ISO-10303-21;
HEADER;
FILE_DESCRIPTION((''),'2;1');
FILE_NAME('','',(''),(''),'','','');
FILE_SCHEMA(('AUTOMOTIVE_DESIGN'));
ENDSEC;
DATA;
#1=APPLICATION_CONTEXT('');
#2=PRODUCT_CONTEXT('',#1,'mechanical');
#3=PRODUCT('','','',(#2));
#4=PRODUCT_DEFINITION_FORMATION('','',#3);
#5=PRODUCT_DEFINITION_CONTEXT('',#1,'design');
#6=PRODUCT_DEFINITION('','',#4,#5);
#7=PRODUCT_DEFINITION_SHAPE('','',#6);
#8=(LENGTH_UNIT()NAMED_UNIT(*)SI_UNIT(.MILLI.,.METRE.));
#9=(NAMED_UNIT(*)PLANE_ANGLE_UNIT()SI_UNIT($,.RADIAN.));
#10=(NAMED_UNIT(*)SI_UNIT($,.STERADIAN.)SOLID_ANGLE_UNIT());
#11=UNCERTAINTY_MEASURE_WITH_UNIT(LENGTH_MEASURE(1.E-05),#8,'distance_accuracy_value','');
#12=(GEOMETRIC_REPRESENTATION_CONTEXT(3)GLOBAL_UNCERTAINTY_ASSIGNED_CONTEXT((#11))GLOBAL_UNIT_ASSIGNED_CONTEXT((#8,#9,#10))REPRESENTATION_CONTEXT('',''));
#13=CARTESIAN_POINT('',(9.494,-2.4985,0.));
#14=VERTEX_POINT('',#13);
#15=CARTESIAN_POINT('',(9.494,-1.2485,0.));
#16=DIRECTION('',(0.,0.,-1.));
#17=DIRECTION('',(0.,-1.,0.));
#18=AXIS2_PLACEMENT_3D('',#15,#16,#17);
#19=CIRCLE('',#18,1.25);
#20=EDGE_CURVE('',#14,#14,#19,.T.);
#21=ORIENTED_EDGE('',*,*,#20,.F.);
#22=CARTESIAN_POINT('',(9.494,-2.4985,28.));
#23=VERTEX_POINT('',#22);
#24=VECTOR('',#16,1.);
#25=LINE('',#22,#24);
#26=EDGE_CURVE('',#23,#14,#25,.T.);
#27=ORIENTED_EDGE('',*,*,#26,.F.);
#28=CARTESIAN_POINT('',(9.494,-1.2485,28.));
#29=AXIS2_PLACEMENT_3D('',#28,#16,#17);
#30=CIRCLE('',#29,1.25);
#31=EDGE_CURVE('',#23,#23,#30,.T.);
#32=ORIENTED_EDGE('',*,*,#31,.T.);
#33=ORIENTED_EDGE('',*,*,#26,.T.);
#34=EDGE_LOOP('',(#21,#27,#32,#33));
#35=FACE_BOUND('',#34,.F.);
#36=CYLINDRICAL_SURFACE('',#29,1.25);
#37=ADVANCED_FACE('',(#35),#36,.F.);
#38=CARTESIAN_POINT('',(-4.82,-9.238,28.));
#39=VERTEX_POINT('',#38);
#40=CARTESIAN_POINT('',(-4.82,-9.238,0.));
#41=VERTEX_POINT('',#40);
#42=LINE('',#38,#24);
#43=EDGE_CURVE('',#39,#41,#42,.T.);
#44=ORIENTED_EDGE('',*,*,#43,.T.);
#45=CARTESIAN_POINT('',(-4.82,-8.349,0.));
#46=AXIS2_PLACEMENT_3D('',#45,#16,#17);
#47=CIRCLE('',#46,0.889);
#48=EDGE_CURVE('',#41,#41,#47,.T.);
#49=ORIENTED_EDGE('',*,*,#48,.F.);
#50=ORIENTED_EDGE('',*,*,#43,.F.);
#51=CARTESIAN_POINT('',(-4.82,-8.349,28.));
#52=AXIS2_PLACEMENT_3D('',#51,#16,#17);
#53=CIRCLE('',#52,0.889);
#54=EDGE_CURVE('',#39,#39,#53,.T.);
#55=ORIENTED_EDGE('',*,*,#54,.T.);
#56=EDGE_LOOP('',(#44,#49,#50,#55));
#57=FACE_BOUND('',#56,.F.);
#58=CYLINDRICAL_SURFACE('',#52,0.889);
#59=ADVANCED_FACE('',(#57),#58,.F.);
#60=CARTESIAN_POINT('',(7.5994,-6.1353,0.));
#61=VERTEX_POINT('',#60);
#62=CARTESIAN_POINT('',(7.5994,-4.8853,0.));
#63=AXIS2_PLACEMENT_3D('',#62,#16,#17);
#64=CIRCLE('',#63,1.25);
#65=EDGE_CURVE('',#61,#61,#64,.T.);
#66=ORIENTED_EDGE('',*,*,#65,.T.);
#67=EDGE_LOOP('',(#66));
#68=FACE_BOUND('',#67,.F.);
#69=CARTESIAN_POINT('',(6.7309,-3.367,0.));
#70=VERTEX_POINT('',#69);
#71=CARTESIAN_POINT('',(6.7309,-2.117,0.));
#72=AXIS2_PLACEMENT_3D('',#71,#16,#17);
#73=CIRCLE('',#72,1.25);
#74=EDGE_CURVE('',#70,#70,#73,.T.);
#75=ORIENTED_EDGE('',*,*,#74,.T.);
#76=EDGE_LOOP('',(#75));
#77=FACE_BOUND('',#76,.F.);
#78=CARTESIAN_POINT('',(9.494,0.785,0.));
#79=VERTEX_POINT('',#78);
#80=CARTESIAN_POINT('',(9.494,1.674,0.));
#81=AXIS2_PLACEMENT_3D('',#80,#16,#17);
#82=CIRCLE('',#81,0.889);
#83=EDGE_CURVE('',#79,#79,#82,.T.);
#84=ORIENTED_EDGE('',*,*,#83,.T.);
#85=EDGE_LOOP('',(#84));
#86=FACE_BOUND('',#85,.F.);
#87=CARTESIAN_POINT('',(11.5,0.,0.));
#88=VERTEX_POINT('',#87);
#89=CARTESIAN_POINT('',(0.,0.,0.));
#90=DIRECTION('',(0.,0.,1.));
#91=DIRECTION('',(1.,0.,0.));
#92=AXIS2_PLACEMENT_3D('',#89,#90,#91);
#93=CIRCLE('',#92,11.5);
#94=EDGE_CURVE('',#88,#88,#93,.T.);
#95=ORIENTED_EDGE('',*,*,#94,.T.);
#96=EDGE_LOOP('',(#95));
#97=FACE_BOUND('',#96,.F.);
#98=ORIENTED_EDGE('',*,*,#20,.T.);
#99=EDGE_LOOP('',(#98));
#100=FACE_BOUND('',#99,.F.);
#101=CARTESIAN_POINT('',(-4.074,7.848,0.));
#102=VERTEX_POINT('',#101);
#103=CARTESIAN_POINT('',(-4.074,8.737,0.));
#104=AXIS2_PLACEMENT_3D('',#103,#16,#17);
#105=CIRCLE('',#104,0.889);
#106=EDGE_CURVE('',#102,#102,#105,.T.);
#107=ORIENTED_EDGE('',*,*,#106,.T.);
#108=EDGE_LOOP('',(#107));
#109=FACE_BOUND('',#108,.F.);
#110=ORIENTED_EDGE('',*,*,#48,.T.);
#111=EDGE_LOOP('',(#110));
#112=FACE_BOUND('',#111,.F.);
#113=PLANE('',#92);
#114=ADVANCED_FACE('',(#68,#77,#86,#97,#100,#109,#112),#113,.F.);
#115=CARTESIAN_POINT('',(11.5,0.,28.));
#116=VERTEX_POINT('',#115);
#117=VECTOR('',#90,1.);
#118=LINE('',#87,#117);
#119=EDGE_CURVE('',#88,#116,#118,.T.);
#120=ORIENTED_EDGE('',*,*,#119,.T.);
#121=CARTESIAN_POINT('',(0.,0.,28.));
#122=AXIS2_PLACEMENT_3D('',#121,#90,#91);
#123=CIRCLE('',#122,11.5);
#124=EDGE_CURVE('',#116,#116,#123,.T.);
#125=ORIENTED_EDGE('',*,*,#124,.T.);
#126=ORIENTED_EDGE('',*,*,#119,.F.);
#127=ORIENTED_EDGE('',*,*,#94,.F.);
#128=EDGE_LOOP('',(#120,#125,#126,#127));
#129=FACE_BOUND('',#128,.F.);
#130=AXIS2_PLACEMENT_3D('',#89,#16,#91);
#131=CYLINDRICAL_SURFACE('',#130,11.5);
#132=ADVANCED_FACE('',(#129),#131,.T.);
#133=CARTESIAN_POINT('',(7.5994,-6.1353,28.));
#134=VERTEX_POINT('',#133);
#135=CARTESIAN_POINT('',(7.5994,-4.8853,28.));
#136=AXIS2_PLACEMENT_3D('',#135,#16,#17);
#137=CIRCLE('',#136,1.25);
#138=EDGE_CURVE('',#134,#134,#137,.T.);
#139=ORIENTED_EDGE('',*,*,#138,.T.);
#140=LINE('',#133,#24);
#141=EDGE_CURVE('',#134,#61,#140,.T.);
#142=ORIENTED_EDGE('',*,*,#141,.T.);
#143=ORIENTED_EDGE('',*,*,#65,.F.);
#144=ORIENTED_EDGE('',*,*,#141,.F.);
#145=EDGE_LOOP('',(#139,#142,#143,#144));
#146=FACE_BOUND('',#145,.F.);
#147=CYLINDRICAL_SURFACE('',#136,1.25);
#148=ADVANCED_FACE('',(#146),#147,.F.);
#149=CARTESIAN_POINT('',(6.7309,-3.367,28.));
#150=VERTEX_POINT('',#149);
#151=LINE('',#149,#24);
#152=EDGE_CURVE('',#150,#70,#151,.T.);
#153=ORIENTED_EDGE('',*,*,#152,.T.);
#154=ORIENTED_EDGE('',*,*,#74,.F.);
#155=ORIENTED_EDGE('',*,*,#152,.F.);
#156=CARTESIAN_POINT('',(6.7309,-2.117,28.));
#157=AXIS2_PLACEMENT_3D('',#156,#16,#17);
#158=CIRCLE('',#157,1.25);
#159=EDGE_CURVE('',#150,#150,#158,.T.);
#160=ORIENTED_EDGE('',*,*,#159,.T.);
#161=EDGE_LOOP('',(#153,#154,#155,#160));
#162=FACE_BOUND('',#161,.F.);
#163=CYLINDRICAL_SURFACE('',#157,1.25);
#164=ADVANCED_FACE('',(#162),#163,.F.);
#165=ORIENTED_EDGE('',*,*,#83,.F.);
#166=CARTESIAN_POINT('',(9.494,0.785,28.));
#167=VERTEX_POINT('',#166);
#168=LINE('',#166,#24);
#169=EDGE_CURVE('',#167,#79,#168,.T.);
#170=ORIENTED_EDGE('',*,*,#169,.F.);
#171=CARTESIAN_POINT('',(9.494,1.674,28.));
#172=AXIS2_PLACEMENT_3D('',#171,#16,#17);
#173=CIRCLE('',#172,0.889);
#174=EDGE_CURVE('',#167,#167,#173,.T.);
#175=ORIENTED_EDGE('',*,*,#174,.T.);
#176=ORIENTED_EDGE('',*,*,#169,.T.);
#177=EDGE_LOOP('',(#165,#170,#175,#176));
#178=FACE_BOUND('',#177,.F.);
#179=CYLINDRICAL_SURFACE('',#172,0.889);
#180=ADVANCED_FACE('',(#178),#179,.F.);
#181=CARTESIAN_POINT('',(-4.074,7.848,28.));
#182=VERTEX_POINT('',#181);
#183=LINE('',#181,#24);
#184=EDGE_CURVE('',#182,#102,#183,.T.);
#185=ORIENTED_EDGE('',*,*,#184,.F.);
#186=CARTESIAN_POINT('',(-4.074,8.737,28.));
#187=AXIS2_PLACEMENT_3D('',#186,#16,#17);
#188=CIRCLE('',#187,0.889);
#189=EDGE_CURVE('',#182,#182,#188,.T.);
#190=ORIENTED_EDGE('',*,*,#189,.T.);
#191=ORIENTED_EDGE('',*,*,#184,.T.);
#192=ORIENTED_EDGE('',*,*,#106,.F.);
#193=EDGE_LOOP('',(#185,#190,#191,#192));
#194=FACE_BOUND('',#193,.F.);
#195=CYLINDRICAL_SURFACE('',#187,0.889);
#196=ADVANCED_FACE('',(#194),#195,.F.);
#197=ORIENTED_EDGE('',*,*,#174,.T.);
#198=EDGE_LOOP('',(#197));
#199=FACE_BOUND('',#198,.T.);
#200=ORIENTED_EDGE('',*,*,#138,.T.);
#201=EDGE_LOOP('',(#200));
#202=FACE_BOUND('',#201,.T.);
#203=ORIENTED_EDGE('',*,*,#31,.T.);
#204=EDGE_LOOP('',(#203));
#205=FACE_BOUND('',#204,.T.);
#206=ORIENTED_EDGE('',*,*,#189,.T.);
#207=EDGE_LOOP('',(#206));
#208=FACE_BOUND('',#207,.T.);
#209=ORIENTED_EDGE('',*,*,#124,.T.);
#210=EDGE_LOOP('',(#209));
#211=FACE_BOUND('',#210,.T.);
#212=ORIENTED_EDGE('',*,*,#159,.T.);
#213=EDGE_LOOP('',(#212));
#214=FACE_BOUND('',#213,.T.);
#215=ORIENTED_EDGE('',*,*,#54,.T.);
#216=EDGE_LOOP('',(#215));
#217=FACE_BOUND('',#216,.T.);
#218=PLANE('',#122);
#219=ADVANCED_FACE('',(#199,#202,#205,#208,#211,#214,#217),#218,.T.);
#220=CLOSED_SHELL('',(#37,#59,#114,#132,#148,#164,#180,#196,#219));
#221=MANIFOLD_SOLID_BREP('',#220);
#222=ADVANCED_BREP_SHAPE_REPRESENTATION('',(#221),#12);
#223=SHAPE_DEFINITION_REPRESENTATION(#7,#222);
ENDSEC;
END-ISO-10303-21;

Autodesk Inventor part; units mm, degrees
ref_plane "YZ Plane" through (0, 0, 0) normal (1, 0, 0) x (0, 1, 0)
ref_plane "XZ Plane" through (0, 0, 0) normal (0, 1, 0) x (-1, 0, 0)
ref_plane "XY Plane" through (0, 0, 0) normal (0, 0, 1) x (1, 0, 0)
sketch "Sketch1" plane through (0, 0, 0) normal (0, 0, 1) x (1, 0, 0)
  circle A0 centre (0, 0) radius 11.5
  dimension "d0" = 23
extrude "Extrusion1" add sketch "Sketch1" along normal blind 28
sketch "Sketch2" plane through (0, 0, 28) normal (0, 0, 1) x (1, 0, 0)
  circle A0 centre (0, 0) radius 11.5 projected
  line L0 (0, -16.1) -> (0, 16.1) projected
  line L1 (-16.1, 0) -> (16.1, 0) projected
  point P0 (0, 9.69)
  point P1 (-8.3918, -4.845)
  point P2 (8.3918, -4.845)
  point P3 (-4.074, 8.737)
  point P4 (-4.82, -8.349)
  point P5 (9.494, 1.674)
  dimension "d3" = 9.69
  dimension "d6" = 360
  dimension "d8" = 8.737
  dimension "d9" = 4.074
  dimension "d10" = 4.82
  dimension "d11" = 8.349
  dimension "d12" = 9.494
  dimension "d13" = 1.674
hole "Hole1" at (-4.074, 8.737, 28) at (-4.82, -8.349, 28) at (9.494, 1.674, 28) direction (0, 0, -1) diameter 1.778 end through all clearance for "Flat Head Machine Screw (82)" size "#0" standard "Ansi Unified Screw Threads"
sketch "Sketch3" plane through (0, 0, 28) normal (0, 0, 1) x (1, 0, 0)
  circle A0 centre (9.494, 1.674) radius 0.889 projected
  circle A1 centre (-4.82, -8.349) radius 0.889 projected
  circle A2 centre (-4.074, 8.737) radius 0.889 projected
  circle A3 centre (0, 0) radius 11.5 projected
  circle A4 centre (0, 0) radius 11.5
  point P0 (0, 9.69)
  point P1 (-8.3918, -4.845)
  point P2 (8.3918, -4.845)
  point P3 (4.074, -8.737)
  point P4 (4.82, 8.349)
  point P5 (-9.494, -1.674)
  dimension "d23" = 360
  dimension "d24" = -8.737
  dimension "d25" = 8.349
  dimension "d26" = 1.674
  dimension "d27" = 4.074
  dimension "d28" = 4.82
sketch "Sketch4" plane through (0, 0, 28) normal (0, 0, 1) x (1, 0, 0)
  point P0 (9.494, -1.2485)
  point P1 (6.7309, -2.117)
  point P2 (7.5994, -4.8853)
hole "Hole2" at (9.494, -1.2485, 28) at (6.7309, -2.117, 28) at (7.5994, -4.8853, 28) direction (0, 0, -1) diameter 2.5 end through all
properties part number "Connector_PCB"
